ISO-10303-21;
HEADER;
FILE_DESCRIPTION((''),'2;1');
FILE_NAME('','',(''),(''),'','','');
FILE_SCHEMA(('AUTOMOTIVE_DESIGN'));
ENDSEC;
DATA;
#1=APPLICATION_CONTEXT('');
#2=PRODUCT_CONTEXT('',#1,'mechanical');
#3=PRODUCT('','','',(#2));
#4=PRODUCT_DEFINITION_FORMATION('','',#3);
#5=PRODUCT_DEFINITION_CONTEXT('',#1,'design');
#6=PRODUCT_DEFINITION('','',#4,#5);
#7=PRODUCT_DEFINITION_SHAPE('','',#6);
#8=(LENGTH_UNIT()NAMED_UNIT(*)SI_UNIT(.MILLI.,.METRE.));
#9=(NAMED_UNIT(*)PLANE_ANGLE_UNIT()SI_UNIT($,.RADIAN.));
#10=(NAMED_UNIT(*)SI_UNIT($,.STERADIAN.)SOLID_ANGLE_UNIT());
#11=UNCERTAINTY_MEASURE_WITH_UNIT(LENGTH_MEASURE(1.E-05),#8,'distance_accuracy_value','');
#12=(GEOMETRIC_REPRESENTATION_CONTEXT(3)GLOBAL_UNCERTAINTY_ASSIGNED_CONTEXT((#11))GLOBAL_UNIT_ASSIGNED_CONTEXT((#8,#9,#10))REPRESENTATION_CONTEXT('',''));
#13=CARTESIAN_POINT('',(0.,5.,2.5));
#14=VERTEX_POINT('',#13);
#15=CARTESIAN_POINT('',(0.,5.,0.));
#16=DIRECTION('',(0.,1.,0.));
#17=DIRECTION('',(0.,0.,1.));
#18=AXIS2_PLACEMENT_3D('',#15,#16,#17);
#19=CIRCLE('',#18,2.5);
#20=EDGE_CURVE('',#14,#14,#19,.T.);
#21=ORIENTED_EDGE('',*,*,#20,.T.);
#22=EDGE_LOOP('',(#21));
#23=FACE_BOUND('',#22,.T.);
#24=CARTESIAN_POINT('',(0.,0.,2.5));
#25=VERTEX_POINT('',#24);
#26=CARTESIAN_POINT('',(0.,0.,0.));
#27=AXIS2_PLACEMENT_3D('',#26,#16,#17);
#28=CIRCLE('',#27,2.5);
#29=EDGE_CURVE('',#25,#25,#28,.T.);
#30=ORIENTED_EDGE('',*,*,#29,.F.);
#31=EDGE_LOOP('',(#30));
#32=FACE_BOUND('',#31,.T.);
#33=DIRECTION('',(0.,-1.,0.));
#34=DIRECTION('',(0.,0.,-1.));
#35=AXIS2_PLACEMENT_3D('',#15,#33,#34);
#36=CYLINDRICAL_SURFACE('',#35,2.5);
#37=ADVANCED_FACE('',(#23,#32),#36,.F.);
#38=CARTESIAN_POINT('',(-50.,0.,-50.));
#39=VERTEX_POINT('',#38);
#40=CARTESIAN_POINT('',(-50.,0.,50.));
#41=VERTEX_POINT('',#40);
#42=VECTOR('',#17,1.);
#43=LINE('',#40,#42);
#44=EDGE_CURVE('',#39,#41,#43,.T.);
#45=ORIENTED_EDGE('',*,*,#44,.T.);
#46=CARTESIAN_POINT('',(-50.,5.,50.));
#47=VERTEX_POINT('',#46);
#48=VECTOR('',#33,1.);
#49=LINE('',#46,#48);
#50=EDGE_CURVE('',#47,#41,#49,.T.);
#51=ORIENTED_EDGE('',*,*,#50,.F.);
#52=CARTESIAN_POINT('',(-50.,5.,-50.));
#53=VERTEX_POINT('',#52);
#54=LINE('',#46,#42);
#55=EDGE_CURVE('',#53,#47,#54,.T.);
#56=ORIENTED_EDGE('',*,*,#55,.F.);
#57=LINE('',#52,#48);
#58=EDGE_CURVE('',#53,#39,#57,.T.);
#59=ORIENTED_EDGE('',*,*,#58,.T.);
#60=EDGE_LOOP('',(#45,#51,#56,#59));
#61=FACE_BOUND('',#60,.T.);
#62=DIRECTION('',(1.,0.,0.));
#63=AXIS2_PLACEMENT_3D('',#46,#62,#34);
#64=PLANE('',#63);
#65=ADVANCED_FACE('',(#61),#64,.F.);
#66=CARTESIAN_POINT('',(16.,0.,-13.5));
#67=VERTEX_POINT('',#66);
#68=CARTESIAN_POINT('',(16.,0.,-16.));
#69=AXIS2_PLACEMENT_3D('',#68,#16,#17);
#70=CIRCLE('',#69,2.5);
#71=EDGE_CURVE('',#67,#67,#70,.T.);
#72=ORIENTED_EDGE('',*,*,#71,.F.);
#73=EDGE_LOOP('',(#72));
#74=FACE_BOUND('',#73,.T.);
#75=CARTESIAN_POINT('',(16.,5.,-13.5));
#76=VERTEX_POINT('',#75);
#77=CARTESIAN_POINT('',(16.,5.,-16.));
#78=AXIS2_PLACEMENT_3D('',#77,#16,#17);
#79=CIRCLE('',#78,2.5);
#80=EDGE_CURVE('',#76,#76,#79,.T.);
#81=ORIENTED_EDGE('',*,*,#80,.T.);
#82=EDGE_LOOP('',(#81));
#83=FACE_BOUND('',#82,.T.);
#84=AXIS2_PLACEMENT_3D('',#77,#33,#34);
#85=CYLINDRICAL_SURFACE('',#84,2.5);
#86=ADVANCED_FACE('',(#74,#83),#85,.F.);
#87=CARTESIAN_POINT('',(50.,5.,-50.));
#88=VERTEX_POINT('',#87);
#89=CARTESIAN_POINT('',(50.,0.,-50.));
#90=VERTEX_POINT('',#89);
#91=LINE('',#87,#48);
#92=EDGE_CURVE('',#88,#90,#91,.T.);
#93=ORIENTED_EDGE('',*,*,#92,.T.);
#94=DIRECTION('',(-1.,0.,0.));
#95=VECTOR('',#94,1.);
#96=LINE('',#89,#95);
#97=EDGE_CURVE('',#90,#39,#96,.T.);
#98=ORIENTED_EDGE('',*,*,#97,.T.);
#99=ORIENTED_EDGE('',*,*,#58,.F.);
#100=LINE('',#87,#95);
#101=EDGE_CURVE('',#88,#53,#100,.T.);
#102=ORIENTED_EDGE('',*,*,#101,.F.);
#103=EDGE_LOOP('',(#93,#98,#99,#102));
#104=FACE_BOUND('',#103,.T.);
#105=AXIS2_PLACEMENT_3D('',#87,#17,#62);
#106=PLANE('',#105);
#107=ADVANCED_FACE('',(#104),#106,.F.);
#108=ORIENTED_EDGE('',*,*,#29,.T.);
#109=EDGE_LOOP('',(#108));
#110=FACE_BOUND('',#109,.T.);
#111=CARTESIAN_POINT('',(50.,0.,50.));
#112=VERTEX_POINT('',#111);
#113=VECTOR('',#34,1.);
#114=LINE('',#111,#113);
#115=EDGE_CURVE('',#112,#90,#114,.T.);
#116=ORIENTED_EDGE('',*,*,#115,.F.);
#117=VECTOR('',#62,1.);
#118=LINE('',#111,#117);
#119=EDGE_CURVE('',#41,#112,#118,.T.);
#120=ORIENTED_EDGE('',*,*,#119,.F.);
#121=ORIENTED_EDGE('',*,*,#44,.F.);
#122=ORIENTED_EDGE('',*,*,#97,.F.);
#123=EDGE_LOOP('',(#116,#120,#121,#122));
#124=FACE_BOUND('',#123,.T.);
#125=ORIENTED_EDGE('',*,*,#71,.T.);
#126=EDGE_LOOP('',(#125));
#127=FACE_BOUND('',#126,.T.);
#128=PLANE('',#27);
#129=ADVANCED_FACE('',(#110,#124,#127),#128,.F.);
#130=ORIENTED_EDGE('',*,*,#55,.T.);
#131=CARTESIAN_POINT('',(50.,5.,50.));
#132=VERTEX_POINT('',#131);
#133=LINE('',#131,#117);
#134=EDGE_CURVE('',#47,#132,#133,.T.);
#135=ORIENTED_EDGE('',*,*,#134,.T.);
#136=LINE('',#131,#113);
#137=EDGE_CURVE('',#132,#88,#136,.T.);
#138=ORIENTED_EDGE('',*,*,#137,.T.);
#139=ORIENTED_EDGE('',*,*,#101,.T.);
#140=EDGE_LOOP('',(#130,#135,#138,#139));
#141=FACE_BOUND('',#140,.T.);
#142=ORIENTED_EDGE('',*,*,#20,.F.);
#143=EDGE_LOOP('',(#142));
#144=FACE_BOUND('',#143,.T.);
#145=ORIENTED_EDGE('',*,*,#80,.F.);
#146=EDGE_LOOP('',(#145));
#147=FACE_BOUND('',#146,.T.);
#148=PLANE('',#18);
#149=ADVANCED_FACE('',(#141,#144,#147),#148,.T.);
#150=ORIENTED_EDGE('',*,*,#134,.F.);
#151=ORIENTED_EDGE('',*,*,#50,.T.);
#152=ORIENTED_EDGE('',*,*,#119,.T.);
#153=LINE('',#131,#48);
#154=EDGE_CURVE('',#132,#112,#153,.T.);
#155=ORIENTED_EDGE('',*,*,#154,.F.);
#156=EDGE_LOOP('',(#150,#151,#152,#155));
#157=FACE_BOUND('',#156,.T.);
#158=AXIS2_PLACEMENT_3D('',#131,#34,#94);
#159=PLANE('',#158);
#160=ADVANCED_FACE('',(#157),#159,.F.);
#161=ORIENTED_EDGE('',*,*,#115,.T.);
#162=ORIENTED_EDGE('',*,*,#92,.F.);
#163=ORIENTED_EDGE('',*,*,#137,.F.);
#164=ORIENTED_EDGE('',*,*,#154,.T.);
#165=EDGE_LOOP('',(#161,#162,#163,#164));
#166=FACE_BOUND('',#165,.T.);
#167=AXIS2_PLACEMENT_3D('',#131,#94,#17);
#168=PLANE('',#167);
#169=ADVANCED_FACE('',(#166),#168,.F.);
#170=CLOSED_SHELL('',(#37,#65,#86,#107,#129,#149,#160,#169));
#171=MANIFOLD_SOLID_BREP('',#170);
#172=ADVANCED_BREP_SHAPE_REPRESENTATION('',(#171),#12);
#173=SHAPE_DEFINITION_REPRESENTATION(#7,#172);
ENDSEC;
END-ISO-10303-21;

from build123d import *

# Parameters (mm, degrees)
SKETCH_1_W      = 100
SKETCH_1_H      = 100
SKETCH_1_R      = 2.5
EXTRUDE_1_DEPTH = 5


with BuildPart() as part:
    # 草图1 → 凸台-拉伸1 (new body)
    with BuildSketch(Plane(origin=(0, 0, 0), x_dir=(1, 0, 0), z_dir=(0, 1, 0))):
        Rectangle(SKETCH_1_W, SKETCH_1_H)
        Circle(SKETCH_1_R, mode=Mode.SUBTRACT)
        with Locations((16, 16)):
            Circle(SKETCH_1_R, mode=Mode.SUBTRACT)
    extrude(amount=EXTRUDE_1_DEPTH)


solid = part.part
